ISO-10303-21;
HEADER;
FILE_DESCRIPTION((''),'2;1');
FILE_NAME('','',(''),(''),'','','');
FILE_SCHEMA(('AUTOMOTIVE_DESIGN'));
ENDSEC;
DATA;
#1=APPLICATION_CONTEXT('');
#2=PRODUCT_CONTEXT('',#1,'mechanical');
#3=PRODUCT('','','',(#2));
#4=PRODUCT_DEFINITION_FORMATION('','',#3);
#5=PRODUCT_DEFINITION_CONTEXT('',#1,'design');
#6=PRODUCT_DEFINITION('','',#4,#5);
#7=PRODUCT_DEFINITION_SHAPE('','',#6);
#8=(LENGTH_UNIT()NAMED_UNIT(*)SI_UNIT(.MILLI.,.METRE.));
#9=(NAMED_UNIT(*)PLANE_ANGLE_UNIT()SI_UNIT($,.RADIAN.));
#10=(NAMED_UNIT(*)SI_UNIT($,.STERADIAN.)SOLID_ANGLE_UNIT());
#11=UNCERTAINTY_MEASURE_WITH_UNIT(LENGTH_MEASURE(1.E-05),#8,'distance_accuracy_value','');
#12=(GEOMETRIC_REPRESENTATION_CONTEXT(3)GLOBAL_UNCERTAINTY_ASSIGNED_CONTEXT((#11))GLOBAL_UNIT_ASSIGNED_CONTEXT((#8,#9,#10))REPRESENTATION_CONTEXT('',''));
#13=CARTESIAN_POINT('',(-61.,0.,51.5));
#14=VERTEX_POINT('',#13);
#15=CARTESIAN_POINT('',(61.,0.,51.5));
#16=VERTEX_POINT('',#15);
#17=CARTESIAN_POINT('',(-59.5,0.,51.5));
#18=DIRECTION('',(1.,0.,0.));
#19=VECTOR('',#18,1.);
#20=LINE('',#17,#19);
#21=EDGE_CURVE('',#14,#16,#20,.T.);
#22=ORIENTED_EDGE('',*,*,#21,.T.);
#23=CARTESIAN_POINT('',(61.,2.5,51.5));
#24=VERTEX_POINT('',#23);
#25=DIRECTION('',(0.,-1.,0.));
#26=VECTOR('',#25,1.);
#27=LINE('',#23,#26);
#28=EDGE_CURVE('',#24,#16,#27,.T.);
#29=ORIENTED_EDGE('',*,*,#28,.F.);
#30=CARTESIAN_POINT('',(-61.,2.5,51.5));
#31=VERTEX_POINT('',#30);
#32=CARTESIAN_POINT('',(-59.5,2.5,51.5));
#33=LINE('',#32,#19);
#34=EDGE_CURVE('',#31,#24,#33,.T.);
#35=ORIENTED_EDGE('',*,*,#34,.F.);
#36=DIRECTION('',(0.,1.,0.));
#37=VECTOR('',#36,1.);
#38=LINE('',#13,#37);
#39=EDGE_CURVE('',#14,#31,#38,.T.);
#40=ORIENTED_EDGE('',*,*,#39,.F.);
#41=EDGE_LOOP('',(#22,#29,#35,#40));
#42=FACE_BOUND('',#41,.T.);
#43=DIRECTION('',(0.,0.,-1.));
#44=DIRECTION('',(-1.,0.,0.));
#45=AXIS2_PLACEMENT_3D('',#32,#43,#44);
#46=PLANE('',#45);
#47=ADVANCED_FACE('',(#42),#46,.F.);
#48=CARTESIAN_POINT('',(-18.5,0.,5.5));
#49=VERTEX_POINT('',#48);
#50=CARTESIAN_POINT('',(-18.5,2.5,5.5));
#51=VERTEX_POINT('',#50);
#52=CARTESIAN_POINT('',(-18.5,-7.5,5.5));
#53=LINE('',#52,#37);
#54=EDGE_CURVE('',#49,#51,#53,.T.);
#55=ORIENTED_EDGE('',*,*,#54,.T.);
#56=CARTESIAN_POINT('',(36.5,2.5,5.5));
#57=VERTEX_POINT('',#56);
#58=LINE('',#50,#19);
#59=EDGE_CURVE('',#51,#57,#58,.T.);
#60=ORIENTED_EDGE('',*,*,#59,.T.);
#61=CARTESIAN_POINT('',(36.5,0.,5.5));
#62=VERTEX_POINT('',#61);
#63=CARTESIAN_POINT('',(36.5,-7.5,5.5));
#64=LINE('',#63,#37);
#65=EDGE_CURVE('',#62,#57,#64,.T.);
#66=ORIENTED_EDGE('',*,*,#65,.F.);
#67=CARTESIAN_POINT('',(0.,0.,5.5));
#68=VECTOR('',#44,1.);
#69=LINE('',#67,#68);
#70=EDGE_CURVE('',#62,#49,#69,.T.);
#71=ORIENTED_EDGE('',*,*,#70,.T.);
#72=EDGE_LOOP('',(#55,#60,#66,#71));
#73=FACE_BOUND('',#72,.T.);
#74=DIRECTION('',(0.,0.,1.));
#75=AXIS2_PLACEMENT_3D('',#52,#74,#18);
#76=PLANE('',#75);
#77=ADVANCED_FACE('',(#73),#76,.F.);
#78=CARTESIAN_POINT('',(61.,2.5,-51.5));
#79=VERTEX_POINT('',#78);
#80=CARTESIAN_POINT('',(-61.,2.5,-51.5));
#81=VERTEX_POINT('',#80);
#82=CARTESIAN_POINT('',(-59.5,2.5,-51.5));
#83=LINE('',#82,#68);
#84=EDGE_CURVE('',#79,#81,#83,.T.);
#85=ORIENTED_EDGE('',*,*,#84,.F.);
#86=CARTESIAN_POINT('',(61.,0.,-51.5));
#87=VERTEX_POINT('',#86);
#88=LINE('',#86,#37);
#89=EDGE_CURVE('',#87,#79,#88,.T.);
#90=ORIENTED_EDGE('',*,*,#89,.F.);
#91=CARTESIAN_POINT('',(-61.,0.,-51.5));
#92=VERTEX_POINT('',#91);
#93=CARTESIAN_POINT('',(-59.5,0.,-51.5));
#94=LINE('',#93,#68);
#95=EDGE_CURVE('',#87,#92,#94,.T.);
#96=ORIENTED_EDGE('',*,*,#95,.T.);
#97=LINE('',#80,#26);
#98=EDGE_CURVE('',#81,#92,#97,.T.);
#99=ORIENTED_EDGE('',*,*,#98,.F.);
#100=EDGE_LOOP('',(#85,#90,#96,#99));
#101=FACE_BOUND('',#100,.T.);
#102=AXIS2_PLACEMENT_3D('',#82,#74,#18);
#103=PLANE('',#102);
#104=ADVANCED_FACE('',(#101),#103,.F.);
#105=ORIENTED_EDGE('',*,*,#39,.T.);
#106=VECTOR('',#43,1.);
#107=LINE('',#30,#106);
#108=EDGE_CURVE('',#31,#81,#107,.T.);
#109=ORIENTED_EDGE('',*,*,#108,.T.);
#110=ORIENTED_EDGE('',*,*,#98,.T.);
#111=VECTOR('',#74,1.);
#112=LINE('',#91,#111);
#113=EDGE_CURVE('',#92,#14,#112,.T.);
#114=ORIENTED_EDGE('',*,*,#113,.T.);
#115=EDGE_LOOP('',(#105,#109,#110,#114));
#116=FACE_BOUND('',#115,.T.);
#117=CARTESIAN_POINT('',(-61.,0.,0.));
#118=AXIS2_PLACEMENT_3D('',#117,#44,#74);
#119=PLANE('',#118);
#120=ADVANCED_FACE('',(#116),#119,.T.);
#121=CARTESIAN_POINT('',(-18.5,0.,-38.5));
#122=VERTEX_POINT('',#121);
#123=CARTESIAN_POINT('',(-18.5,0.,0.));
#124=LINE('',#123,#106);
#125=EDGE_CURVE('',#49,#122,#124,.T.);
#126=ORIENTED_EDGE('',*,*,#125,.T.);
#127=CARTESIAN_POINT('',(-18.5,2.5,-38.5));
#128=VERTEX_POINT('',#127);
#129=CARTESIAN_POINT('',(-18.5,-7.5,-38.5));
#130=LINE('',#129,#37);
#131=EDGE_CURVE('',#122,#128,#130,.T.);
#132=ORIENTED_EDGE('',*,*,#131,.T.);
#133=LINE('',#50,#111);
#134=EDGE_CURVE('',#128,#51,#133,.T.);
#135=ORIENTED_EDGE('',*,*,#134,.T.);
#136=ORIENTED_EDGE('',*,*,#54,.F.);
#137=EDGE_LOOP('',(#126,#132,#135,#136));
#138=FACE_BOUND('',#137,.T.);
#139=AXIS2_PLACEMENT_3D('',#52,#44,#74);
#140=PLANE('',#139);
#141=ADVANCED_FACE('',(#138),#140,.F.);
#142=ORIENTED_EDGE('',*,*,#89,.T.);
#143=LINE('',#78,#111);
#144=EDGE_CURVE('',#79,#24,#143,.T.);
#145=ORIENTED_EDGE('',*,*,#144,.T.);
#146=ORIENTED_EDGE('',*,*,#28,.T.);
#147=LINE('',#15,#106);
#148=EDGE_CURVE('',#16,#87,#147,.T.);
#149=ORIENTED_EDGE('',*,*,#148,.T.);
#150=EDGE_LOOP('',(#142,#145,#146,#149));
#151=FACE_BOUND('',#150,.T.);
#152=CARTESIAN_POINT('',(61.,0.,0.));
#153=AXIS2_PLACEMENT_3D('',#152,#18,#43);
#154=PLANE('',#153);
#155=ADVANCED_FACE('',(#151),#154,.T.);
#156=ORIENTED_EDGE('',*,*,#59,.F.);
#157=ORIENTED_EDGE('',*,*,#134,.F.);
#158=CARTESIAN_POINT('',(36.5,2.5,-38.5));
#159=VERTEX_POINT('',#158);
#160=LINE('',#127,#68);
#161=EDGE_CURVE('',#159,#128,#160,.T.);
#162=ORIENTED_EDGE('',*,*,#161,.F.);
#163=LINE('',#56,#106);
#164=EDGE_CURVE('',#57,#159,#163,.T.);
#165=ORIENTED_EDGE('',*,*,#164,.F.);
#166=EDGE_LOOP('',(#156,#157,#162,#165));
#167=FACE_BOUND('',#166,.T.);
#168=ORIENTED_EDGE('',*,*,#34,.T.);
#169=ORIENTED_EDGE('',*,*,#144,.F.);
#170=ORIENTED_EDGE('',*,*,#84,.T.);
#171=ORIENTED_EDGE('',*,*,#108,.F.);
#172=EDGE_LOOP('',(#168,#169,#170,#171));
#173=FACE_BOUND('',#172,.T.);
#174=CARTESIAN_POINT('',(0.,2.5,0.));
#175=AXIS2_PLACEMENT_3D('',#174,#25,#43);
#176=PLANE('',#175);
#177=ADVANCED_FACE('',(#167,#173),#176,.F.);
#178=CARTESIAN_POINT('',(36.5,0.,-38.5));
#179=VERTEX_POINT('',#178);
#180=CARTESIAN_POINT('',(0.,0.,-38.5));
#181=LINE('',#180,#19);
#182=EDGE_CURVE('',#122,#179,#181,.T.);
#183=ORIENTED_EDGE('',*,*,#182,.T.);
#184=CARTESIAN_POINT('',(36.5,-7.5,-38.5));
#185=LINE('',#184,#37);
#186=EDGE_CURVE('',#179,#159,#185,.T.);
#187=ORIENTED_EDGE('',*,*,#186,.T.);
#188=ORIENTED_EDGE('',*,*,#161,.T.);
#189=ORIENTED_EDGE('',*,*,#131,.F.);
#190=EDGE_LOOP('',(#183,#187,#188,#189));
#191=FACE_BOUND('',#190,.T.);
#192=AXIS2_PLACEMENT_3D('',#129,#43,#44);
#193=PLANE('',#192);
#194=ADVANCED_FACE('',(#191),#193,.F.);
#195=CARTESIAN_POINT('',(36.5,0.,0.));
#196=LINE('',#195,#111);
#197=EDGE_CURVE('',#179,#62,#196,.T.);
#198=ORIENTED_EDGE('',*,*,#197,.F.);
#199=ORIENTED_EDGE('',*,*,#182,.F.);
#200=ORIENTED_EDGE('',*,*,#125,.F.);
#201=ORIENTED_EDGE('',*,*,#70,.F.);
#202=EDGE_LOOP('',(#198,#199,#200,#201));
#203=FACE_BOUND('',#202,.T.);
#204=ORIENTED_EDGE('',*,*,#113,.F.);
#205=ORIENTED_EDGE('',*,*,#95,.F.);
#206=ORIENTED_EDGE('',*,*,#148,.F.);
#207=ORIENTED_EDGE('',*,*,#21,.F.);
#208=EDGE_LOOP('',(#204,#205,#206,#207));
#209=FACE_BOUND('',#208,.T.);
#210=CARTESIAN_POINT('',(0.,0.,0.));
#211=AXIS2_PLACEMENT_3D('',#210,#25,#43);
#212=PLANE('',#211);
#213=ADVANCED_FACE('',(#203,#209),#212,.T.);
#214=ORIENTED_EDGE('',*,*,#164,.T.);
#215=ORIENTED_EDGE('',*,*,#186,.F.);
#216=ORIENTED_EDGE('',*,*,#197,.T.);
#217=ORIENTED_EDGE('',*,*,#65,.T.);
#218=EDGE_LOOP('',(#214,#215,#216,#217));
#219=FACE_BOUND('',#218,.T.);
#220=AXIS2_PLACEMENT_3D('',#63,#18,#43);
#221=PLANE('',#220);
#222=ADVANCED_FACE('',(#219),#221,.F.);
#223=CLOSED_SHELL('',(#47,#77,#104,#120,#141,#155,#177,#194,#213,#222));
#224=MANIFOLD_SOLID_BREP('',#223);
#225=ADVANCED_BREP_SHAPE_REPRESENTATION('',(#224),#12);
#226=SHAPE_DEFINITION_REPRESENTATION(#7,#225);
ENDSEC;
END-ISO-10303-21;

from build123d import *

# Parameters (mm, degrees)
SKETCH1_W           = 119
SKETCH1_H           = 103
BOSS_EXTRUDE1_DEPTH = 2.5
SKETCH3_W           = 55
SKETCH3_H           = 44
CUT_EXTRUDE2_DEPTH  = 10
SKETCH4_W           = 103
SKETCH4_H           = 2.5
BOSS_EXTRUDE2_DEPTH = 1.5
SKETCH5_W           = 103
SKETCH5_H           = 2.5
BOSS_EXTRUDE3_DEPTH = 1.5


with BuildPart() as part:
    # Sketch1 → Boss-Extrude1 (new body)
    with BuildSketch(Plane(origin=(0, 0, 0), x_dir=(1, 0, 0), z_dir=(0, 1, 0))):
        Rectangle(SKETCH1_W, SKETCH1_H)
    extrude(amount=BOSS_EXTRUDE1_DEPTH)

    # Sketch3 → Cut-Extrude2 (cut)
    with BuildSketch(Plane(origin=(0, 2.5, 0), x_dir=(1, 0, 0), z_dir=(0, 1, 0))):
        with Locations((9, 16.5)):
            Rectangle(SKETCH3_W, SKETCH3_H)
    extrude(amount=-CUT_EXTRUDE2_DEPTH, mode=Mode.SUBTRACT)

    # Sketch4 → Boss-Extrude2 (add)
    with BuildSketch(Plane.ZY.offset(59.5)):
        with Locations((0, 1.25)):
            Rectangle(SKETCH4_W, SKETCH4_H)
    extrude(amount=BOSS_EXTRUDE2_DEPTH)

    # Sketch5 → Boss-Extrude3 (add)
    with BuildSketch(Plane(origin=(59.5, 0, 0), x_dir=(0, 0, -1), z_dir=(1, 0, 0))):
        with Locations((0, 1.25)):
            Rectangle(SKETCH5_W, SKETCH5_H)
    extrude(amount=BOSS_EXTRUDE3_DEPTH)


solid = part.part
